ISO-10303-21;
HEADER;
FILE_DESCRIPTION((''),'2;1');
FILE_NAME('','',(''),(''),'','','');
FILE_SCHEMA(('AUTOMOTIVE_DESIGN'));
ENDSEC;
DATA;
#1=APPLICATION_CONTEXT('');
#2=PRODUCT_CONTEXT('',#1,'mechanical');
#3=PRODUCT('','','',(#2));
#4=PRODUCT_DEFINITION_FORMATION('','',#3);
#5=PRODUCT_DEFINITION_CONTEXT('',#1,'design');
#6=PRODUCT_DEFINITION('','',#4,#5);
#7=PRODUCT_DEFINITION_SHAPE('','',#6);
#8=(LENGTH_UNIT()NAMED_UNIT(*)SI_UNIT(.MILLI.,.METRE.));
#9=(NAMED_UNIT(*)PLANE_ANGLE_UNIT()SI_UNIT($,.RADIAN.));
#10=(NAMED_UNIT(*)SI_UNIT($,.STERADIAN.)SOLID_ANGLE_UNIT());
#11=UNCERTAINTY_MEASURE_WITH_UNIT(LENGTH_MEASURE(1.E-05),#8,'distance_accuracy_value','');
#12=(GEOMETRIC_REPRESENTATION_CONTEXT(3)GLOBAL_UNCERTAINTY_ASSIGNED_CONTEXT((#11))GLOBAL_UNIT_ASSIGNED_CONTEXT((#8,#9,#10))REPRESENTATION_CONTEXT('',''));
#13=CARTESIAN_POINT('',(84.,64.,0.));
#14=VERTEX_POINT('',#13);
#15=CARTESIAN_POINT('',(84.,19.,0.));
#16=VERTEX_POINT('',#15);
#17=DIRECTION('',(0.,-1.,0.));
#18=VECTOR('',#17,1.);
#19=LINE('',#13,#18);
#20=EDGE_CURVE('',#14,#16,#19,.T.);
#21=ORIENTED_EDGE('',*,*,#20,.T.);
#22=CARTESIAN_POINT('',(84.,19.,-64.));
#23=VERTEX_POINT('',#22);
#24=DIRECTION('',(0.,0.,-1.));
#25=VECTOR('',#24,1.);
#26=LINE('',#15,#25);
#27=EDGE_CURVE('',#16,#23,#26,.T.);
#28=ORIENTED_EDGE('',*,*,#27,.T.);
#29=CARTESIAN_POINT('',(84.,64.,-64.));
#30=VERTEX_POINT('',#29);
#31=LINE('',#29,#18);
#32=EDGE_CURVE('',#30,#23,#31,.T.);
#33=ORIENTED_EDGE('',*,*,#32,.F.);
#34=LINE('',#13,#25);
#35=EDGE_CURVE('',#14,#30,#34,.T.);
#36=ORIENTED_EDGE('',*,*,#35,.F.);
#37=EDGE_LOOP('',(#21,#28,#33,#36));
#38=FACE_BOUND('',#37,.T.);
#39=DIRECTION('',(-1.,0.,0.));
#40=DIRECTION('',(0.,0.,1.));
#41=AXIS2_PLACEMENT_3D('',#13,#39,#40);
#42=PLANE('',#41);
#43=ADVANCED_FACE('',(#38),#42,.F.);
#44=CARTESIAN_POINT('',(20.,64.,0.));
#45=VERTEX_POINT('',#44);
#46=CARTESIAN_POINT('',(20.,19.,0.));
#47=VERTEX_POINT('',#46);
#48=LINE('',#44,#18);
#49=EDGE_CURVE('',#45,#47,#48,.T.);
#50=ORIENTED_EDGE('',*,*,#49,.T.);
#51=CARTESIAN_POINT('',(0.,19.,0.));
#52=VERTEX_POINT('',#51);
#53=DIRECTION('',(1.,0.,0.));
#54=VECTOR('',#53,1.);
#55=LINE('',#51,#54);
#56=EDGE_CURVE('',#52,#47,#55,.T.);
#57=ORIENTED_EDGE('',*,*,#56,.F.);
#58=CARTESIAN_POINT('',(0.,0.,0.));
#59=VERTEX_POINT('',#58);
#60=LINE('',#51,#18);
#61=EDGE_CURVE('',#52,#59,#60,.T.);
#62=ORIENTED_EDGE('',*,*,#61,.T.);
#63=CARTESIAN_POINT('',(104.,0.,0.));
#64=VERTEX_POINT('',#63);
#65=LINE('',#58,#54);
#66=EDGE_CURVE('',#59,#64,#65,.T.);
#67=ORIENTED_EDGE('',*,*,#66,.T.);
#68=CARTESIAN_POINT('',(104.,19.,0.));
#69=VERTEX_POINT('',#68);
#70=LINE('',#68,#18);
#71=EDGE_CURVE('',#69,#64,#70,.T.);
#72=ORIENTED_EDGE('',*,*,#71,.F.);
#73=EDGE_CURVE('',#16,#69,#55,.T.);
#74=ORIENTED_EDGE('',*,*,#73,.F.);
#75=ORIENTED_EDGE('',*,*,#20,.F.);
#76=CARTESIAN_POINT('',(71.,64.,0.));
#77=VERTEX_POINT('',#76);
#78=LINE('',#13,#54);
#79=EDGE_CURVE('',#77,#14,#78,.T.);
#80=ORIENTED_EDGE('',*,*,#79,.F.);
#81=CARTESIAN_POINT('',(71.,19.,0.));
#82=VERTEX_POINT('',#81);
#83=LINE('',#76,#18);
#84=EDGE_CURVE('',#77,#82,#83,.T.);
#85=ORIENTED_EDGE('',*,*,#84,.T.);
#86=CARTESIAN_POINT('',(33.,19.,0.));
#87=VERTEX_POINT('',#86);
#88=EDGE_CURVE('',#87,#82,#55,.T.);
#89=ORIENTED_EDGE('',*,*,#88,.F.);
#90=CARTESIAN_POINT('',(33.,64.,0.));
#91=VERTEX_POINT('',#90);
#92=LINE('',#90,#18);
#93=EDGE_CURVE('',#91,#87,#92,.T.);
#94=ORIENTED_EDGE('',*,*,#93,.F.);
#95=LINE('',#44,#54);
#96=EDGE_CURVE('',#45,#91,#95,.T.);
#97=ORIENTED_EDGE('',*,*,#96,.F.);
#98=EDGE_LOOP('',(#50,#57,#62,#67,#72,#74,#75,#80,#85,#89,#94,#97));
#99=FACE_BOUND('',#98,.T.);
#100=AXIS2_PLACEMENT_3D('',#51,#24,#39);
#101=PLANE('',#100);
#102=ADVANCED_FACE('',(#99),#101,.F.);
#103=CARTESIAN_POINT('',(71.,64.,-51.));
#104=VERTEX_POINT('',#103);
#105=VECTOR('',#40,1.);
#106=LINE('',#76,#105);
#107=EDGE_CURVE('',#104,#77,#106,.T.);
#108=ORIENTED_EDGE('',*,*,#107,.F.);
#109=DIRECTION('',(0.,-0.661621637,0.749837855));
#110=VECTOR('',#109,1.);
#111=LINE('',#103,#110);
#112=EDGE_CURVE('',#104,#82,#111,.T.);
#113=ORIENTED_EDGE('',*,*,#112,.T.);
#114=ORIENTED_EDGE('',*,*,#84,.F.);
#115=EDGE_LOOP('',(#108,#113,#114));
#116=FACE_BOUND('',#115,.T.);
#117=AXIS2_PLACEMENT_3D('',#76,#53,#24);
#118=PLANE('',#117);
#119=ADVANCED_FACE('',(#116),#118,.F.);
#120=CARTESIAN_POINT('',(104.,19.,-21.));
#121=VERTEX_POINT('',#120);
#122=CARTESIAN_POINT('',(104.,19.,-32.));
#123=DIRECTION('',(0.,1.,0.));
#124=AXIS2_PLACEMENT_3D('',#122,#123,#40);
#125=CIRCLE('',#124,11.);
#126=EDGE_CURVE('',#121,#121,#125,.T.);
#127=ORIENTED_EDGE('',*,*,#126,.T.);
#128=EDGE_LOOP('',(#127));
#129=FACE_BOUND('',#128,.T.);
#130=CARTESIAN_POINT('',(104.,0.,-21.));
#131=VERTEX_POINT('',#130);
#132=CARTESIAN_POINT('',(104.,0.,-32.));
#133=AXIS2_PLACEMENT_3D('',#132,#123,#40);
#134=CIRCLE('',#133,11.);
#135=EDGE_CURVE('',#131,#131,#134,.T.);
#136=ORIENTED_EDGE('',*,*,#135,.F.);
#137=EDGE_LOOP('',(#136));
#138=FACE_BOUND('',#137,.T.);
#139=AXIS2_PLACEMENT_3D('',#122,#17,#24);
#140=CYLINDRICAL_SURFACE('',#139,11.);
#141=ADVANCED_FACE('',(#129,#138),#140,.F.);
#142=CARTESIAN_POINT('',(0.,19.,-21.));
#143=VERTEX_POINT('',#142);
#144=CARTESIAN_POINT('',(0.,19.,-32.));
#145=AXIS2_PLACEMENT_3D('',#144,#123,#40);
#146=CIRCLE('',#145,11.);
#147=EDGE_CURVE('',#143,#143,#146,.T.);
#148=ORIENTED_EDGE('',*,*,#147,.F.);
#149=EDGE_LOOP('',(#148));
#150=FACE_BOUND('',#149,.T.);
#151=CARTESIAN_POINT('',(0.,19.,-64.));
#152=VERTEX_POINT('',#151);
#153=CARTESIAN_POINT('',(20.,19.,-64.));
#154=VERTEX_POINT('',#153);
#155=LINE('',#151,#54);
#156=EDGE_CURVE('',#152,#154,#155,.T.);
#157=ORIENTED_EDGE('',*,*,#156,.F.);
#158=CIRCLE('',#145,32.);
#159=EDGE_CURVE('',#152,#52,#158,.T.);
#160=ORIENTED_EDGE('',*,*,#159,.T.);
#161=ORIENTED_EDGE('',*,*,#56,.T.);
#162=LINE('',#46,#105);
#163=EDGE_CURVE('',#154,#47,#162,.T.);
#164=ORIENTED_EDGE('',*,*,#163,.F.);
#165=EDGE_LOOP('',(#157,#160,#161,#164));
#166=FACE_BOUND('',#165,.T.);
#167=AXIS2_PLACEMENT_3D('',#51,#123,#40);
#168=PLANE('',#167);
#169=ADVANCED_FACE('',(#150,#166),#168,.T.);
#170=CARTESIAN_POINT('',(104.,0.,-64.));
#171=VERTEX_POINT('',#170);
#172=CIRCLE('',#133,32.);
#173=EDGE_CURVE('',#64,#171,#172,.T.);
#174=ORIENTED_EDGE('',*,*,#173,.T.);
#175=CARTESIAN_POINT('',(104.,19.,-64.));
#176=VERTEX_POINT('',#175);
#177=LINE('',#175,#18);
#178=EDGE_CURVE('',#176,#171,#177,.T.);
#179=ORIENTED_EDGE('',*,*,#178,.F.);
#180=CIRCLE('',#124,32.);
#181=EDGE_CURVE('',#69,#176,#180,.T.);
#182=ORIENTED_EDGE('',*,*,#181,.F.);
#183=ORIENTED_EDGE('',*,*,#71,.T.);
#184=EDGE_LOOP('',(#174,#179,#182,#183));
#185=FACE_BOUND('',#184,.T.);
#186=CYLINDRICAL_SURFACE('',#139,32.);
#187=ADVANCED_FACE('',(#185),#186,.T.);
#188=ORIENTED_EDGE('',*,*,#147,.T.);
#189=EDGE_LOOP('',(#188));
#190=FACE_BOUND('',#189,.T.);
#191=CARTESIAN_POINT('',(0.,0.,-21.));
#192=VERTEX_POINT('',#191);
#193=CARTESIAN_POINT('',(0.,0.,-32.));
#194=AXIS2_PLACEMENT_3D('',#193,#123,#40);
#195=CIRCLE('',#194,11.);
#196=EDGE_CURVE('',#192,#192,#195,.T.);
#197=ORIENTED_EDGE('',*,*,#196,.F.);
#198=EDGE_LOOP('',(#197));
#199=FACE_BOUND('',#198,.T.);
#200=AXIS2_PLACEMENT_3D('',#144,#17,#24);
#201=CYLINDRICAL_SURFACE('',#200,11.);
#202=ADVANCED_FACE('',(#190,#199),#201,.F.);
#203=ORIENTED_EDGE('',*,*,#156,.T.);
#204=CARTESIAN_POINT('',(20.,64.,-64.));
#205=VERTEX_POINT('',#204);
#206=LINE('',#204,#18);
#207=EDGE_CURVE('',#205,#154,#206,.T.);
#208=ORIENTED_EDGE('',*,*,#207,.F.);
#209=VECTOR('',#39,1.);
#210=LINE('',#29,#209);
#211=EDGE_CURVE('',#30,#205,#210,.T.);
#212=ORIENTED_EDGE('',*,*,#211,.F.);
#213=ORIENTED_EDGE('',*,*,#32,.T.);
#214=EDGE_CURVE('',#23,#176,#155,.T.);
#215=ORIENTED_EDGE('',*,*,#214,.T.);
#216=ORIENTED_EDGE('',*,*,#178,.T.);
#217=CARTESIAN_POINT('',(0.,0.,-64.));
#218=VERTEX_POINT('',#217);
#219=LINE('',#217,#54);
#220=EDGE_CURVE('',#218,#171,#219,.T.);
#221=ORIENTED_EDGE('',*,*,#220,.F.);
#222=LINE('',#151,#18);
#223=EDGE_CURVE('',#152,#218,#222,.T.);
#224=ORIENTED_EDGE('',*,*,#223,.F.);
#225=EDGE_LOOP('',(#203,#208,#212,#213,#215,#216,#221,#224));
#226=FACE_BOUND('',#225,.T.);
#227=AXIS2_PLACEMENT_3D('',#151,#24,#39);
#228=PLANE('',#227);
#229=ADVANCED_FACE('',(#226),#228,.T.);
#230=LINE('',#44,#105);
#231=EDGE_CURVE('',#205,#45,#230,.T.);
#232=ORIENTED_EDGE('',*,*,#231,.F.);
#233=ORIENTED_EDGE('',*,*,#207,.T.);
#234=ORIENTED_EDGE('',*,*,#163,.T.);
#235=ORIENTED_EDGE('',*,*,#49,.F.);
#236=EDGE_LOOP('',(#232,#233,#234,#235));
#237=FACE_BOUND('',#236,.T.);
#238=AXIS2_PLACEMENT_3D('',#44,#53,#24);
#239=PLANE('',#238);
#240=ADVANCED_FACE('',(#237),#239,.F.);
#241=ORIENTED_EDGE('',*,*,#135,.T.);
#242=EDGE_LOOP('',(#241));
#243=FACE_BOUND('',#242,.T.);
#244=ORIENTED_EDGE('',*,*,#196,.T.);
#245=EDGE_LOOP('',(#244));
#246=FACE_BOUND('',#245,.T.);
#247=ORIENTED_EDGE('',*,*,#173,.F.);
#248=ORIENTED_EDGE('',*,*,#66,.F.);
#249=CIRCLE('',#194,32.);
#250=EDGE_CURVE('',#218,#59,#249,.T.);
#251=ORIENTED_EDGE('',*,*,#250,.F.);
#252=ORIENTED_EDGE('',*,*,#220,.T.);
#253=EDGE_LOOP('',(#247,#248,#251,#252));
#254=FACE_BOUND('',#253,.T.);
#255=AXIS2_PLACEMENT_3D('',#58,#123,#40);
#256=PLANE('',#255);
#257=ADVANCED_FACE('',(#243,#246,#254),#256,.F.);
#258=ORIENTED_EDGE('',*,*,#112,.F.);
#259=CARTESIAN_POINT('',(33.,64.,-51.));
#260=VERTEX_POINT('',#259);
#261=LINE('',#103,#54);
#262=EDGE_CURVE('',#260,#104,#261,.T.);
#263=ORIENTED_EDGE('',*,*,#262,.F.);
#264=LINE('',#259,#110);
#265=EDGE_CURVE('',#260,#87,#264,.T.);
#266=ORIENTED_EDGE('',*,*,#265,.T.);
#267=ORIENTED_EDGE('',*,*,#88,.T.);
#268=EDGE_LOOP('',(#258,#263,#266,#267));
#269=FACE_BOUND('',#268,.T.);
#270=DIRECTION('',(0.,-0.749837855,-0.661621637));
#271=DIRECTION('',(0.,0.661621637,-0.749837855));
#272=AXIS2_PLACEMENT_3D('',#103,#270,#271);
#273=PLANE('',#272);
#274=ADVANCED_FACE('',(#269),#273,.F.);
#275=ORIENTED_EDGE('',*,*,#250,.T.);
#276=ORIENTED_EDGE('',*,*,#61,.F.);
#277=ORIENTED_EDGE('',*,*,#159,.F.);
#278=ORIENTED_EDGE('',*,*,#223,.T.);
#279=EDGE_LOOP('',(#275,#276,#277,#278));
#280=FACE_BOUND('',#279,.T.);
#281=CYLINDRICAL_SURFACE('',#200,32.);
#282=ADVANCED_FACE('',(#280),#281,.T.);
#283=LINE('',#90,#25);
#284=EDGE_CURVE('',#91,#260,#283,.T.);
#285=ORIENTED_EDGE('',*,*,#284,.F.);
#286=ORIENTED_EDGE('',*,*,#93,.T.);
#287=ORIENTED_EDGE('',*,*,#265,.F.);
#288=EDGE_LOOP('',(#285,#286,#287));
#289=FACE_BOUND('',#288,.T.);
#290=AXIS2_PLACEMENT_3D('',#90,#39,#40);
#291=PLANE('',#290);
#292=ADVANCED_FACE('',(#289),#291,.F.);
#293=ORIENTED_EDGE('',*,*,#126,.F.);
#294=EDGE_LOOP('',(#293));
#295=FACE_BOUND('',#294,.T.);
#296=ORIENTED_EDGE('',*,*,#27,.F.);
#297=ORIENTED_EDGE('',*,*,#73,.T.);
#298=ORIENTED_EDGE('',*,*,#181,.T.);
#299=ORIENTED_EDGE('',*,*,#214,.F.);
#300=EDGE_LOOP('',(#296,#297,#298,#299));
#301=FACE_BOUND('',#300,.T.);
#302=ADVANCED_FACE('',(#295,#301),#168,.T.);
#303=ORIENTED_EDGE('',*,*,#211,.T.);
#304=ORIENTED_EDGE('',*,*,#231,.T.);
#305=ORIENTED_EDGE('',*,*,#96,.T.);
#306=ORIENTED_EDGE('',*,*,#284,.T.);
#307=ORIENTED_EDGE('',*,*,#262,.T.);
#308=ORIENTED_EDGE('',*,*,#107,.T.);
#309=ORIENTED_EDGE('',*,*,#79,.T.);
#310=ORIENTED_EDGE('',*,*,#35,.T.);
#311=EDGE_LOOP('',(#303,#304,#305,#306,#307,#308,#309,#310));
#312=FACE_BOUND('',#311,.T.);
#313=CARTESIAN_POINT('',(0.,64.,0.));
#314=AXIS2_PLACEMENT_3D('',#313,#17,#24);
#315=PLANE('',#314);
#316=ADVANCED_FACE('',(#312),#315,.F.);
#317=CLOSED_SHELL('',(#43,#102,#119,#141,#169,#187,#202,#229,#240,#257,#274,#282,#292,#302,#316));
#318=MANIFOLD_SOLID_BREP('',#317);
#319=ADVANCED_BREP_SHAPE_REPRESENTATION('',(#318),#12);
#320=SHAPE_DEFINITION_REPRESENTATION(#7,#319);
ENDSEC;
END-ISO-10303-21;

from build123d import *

# Parameters (mm, degrees)
SKETCH_2_R      = 11
EXTRUDE_1_DEPTH = 19
EXTRUDE_2_DEPTH = 45
EXTRUDE_3_DEPTH = 38


with BuildPart() as part:
    # 스케치2 → 보스-돌출1 (new body)
    with BuildSketch(Plane(origin=(0, 0, 0), x_dir=(1, 0, 0), z_dir=(0, 1, 0))):
        with BuildLine():
            Line((0, 0), (104, 0))
            ThreePointArc((104, 0), (136, 32), (104, 64))
            Line((104, 64), (0, 64))
            ThreePointArc((0, 64), (-32, 32), (0, 0))
        make_face()
        with Locations(Location((0, 32, 0), (0, 0, 270))):
            Circle(SKETCH_2_R, mode=Mode.SUBTRACT)
        with Locations(Location((104, 32, 0), (0, 0, 270))):
            Circle(SKETCH_2_R, mode=Mode.SUBTRACT)
    extrude(amount=EXTRUDE_1_DEPTH)

    # 스케치3 → 보스-돌출2 (add)
    with BuildSketch(Plane(origin=(0, 19, 0), x_dir=(1, 0, 0), z_dir=(0, 1, 0))):
        Polygon((84, 0), (84, 64), (20, 64), (20, 0), (33, 0), (33, 51), (71, 51), (71, 0), align=None)
    extrude(amount=EXTRUDE_2_DEPTH)

    # 스케치6 → 보스-돌출3 (add)
    with BuildSketch(Plane(origin=(33, 0, 0), x_dir=(0, 0, -1), z_dir=(1, 0, 0))):
        Polygon((51, 64), (0, 19), (51, 19), align=None)
    extrude(amount=EXTRUDE_3_DEPTH)


solid = part.part
